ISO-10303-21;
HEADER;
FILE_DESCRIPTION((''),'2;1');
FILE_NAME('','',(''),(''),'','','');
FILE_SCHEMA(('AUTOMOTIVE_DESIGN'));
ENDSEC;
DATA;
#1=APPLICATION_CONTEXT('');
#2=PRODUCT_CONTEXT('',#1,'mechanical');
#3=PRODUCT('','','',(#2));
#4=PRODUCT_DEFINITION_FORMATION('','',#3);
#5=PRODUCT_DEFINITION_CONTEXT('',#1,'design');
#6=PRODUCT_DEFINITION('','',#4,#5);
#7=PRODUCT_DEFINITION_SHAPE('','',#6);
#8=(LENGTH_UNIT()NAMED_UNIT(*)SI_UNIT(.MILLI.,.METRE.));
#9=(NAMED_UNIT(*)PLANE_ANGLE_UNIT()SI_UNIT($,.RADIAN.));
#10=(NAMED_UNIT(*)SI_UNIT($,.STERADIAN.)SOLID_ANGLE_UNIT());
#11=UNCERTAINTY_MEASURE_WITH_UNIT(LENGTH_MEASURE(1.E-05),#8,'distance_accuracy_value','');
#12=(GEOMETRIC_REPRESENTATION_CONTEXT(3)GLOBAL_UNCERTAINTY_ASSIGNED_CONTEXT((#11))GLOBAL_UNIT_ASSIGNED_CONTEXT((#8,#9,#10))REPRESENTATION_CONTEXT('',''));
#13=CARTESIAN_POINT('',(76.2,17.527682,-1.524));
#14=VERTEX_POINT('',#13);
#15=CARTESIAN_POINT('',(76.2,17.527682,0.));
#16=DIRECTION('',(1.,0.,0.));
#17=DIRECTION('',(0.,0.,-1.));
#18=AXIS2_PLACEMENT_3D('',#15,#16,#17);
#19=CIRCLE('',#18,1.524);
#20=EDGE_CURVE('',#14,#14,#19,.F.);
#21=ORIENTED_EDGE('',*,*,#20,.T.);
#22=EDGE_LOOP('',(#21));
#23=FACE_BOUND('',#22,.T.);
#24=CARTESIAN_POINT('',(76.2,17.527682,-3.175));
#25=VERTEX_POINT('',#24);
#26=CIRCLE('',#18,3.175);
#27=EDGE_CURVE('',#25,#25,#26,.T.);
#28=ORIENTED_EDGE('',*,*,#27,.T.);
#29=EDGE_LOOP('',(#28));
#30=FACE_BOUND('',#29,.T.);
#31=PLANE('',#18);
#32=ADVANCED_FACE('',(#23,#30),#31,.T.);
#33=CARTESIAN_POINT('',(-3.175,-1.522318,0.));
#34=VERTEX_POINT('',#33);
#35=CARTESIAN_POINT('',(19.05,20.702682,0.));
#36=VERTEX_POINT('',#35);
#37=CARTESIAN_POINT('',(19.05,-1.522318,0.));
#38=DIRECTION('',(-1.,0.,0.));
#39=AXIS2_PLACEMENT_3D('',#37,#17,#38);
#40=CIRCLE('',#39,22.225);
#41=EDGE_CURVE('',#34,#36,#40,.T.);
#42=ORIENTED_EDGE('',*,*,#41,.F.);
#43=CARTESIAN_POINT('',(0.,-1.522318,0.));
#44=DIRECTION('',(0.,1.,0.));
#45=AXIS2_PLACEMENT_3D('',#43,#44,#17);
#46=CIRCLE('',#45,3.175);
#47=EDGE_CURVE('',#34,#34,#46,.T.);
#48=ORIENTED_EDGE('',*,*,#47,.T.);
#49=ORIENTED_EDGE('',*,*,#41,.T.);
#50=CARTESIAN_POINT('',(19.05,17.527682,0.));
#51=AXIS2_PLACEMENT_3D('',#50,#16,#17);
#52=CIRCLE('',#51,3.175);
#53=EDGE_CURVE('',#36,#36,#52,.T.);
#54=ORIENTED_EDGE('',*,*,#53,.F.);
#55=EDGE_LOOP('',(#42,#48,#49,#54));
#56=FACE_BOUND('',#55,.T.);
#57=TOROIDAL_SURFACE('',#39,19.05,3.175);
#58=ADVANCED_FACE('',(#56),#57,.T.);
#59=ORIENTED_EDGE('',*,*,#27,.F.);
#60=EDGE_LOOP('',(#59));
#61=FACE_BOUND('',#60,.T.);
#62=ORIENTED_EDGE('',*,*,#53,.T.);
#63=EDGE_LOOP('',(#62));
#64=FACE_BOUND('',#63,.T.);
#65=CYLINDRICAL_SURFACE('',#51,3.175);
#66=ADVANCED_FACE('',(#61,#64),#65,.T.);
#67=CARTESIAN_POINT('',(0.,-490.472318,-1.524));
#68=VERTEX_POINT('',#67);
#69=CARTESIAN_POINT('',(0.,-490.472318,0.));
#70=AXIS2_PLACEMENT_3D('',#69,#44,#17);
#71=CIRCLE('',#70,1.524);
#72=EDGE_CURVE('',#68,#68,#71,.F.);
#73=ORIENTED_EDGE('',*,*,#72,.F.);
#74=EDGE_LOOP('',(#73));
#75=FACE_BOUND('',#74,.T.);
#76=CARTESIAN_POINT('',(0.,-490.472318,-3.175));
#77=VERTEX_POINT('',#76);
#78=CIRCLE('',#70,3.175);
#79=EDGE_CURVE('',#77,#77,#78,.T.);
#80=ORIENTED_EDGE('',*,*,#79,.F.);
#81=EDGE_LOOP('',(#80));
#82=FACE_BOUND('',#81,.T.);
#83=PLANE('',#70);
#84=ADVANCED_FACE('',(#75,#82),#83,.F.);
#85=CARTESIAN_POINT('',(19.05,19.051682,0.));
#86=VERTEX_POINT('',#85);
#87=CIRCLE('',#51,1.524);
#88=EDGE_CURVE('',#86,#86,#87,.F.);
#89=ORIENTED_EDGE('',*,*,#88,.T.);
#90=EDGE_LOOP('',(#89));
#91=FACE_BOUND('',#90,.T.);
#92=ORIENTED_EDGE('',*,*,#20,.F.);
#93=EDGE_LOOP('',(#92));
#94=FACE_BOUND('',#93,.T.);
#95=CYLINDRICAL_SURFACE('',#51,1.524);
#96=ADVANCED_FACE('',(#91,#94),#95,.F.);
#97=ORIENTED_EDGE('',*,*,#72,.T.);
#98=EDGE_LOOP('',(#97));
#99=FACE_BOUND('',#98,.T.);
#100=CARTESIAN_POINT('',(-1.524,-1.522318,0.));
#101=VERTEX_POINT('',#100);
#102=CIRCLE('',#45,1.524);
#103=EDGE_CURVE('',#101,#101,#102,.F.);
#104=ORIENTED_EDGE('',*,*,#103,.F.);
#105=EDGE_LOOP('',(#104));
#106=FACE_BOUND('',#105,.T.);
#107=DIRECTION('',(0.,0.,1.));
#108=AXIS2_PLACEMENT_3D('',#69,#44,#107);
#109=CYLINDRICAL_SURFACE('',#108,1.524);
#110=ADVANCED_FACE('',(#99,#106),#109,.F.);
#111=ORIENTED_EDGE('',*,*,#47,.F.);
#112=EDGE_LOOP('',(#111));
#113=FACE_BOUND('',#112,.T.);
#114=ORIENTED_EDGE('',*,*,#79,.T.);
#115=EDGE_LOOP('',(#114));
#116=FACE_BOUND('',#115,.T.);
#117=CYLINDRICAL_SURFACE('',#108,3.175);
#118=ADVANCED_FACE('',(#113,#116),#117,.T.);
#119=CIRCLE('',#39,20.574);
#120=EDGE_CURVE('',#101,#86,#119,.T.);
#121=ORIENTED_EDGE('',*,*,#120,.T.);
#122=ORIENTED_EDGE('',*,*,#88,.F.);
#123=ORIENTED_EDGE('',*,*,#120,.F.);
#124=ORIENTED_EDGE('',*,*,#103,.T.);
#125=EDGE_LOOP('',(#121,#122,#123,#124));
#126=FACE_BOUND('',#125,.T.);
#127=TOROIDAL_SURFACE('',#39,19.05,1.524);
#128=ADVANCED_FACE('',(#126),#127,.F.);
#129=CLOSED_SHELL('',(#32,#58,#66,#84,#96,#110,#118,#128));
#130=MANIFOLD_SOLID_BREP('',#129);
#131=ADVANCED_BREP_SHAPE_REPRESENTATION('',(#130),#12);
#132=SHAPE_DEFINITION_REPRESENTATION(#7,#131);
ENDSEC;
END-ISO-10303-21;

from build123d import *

# Parameters (mm, degrees)
SKETCH2_R   = 3.175
SKETCH2_R_2 = 1.524


with BuildPart() as part:
    # Sweep1: sweep along a path in Sketch1
    with BuildLine(Plane.XY) as sweep1_path:
        Line((0, -490.472317881), (0, -1.522317881))
        ThreePointArc((0, -1.522317881), (5.579615818, 11.948066301), (19.05, 17.527682119))
        Line((19.05, 17.527682119), (76.2, 17.527682119))
    # Sketch2 → Sweep1 (sweep)
    with BuildSketch(Plane(origin=(76.2, 17.527682119, 0), x_dir=(0, 0, -1), z_dir=(1, 0, 0))):
        Circle(SKETCH2_R)
        Circle(SKETCH2_R_2, mode=Mode.SUBTRACT)
    sweep(path=sweep1_path.line)


solid = part.part
